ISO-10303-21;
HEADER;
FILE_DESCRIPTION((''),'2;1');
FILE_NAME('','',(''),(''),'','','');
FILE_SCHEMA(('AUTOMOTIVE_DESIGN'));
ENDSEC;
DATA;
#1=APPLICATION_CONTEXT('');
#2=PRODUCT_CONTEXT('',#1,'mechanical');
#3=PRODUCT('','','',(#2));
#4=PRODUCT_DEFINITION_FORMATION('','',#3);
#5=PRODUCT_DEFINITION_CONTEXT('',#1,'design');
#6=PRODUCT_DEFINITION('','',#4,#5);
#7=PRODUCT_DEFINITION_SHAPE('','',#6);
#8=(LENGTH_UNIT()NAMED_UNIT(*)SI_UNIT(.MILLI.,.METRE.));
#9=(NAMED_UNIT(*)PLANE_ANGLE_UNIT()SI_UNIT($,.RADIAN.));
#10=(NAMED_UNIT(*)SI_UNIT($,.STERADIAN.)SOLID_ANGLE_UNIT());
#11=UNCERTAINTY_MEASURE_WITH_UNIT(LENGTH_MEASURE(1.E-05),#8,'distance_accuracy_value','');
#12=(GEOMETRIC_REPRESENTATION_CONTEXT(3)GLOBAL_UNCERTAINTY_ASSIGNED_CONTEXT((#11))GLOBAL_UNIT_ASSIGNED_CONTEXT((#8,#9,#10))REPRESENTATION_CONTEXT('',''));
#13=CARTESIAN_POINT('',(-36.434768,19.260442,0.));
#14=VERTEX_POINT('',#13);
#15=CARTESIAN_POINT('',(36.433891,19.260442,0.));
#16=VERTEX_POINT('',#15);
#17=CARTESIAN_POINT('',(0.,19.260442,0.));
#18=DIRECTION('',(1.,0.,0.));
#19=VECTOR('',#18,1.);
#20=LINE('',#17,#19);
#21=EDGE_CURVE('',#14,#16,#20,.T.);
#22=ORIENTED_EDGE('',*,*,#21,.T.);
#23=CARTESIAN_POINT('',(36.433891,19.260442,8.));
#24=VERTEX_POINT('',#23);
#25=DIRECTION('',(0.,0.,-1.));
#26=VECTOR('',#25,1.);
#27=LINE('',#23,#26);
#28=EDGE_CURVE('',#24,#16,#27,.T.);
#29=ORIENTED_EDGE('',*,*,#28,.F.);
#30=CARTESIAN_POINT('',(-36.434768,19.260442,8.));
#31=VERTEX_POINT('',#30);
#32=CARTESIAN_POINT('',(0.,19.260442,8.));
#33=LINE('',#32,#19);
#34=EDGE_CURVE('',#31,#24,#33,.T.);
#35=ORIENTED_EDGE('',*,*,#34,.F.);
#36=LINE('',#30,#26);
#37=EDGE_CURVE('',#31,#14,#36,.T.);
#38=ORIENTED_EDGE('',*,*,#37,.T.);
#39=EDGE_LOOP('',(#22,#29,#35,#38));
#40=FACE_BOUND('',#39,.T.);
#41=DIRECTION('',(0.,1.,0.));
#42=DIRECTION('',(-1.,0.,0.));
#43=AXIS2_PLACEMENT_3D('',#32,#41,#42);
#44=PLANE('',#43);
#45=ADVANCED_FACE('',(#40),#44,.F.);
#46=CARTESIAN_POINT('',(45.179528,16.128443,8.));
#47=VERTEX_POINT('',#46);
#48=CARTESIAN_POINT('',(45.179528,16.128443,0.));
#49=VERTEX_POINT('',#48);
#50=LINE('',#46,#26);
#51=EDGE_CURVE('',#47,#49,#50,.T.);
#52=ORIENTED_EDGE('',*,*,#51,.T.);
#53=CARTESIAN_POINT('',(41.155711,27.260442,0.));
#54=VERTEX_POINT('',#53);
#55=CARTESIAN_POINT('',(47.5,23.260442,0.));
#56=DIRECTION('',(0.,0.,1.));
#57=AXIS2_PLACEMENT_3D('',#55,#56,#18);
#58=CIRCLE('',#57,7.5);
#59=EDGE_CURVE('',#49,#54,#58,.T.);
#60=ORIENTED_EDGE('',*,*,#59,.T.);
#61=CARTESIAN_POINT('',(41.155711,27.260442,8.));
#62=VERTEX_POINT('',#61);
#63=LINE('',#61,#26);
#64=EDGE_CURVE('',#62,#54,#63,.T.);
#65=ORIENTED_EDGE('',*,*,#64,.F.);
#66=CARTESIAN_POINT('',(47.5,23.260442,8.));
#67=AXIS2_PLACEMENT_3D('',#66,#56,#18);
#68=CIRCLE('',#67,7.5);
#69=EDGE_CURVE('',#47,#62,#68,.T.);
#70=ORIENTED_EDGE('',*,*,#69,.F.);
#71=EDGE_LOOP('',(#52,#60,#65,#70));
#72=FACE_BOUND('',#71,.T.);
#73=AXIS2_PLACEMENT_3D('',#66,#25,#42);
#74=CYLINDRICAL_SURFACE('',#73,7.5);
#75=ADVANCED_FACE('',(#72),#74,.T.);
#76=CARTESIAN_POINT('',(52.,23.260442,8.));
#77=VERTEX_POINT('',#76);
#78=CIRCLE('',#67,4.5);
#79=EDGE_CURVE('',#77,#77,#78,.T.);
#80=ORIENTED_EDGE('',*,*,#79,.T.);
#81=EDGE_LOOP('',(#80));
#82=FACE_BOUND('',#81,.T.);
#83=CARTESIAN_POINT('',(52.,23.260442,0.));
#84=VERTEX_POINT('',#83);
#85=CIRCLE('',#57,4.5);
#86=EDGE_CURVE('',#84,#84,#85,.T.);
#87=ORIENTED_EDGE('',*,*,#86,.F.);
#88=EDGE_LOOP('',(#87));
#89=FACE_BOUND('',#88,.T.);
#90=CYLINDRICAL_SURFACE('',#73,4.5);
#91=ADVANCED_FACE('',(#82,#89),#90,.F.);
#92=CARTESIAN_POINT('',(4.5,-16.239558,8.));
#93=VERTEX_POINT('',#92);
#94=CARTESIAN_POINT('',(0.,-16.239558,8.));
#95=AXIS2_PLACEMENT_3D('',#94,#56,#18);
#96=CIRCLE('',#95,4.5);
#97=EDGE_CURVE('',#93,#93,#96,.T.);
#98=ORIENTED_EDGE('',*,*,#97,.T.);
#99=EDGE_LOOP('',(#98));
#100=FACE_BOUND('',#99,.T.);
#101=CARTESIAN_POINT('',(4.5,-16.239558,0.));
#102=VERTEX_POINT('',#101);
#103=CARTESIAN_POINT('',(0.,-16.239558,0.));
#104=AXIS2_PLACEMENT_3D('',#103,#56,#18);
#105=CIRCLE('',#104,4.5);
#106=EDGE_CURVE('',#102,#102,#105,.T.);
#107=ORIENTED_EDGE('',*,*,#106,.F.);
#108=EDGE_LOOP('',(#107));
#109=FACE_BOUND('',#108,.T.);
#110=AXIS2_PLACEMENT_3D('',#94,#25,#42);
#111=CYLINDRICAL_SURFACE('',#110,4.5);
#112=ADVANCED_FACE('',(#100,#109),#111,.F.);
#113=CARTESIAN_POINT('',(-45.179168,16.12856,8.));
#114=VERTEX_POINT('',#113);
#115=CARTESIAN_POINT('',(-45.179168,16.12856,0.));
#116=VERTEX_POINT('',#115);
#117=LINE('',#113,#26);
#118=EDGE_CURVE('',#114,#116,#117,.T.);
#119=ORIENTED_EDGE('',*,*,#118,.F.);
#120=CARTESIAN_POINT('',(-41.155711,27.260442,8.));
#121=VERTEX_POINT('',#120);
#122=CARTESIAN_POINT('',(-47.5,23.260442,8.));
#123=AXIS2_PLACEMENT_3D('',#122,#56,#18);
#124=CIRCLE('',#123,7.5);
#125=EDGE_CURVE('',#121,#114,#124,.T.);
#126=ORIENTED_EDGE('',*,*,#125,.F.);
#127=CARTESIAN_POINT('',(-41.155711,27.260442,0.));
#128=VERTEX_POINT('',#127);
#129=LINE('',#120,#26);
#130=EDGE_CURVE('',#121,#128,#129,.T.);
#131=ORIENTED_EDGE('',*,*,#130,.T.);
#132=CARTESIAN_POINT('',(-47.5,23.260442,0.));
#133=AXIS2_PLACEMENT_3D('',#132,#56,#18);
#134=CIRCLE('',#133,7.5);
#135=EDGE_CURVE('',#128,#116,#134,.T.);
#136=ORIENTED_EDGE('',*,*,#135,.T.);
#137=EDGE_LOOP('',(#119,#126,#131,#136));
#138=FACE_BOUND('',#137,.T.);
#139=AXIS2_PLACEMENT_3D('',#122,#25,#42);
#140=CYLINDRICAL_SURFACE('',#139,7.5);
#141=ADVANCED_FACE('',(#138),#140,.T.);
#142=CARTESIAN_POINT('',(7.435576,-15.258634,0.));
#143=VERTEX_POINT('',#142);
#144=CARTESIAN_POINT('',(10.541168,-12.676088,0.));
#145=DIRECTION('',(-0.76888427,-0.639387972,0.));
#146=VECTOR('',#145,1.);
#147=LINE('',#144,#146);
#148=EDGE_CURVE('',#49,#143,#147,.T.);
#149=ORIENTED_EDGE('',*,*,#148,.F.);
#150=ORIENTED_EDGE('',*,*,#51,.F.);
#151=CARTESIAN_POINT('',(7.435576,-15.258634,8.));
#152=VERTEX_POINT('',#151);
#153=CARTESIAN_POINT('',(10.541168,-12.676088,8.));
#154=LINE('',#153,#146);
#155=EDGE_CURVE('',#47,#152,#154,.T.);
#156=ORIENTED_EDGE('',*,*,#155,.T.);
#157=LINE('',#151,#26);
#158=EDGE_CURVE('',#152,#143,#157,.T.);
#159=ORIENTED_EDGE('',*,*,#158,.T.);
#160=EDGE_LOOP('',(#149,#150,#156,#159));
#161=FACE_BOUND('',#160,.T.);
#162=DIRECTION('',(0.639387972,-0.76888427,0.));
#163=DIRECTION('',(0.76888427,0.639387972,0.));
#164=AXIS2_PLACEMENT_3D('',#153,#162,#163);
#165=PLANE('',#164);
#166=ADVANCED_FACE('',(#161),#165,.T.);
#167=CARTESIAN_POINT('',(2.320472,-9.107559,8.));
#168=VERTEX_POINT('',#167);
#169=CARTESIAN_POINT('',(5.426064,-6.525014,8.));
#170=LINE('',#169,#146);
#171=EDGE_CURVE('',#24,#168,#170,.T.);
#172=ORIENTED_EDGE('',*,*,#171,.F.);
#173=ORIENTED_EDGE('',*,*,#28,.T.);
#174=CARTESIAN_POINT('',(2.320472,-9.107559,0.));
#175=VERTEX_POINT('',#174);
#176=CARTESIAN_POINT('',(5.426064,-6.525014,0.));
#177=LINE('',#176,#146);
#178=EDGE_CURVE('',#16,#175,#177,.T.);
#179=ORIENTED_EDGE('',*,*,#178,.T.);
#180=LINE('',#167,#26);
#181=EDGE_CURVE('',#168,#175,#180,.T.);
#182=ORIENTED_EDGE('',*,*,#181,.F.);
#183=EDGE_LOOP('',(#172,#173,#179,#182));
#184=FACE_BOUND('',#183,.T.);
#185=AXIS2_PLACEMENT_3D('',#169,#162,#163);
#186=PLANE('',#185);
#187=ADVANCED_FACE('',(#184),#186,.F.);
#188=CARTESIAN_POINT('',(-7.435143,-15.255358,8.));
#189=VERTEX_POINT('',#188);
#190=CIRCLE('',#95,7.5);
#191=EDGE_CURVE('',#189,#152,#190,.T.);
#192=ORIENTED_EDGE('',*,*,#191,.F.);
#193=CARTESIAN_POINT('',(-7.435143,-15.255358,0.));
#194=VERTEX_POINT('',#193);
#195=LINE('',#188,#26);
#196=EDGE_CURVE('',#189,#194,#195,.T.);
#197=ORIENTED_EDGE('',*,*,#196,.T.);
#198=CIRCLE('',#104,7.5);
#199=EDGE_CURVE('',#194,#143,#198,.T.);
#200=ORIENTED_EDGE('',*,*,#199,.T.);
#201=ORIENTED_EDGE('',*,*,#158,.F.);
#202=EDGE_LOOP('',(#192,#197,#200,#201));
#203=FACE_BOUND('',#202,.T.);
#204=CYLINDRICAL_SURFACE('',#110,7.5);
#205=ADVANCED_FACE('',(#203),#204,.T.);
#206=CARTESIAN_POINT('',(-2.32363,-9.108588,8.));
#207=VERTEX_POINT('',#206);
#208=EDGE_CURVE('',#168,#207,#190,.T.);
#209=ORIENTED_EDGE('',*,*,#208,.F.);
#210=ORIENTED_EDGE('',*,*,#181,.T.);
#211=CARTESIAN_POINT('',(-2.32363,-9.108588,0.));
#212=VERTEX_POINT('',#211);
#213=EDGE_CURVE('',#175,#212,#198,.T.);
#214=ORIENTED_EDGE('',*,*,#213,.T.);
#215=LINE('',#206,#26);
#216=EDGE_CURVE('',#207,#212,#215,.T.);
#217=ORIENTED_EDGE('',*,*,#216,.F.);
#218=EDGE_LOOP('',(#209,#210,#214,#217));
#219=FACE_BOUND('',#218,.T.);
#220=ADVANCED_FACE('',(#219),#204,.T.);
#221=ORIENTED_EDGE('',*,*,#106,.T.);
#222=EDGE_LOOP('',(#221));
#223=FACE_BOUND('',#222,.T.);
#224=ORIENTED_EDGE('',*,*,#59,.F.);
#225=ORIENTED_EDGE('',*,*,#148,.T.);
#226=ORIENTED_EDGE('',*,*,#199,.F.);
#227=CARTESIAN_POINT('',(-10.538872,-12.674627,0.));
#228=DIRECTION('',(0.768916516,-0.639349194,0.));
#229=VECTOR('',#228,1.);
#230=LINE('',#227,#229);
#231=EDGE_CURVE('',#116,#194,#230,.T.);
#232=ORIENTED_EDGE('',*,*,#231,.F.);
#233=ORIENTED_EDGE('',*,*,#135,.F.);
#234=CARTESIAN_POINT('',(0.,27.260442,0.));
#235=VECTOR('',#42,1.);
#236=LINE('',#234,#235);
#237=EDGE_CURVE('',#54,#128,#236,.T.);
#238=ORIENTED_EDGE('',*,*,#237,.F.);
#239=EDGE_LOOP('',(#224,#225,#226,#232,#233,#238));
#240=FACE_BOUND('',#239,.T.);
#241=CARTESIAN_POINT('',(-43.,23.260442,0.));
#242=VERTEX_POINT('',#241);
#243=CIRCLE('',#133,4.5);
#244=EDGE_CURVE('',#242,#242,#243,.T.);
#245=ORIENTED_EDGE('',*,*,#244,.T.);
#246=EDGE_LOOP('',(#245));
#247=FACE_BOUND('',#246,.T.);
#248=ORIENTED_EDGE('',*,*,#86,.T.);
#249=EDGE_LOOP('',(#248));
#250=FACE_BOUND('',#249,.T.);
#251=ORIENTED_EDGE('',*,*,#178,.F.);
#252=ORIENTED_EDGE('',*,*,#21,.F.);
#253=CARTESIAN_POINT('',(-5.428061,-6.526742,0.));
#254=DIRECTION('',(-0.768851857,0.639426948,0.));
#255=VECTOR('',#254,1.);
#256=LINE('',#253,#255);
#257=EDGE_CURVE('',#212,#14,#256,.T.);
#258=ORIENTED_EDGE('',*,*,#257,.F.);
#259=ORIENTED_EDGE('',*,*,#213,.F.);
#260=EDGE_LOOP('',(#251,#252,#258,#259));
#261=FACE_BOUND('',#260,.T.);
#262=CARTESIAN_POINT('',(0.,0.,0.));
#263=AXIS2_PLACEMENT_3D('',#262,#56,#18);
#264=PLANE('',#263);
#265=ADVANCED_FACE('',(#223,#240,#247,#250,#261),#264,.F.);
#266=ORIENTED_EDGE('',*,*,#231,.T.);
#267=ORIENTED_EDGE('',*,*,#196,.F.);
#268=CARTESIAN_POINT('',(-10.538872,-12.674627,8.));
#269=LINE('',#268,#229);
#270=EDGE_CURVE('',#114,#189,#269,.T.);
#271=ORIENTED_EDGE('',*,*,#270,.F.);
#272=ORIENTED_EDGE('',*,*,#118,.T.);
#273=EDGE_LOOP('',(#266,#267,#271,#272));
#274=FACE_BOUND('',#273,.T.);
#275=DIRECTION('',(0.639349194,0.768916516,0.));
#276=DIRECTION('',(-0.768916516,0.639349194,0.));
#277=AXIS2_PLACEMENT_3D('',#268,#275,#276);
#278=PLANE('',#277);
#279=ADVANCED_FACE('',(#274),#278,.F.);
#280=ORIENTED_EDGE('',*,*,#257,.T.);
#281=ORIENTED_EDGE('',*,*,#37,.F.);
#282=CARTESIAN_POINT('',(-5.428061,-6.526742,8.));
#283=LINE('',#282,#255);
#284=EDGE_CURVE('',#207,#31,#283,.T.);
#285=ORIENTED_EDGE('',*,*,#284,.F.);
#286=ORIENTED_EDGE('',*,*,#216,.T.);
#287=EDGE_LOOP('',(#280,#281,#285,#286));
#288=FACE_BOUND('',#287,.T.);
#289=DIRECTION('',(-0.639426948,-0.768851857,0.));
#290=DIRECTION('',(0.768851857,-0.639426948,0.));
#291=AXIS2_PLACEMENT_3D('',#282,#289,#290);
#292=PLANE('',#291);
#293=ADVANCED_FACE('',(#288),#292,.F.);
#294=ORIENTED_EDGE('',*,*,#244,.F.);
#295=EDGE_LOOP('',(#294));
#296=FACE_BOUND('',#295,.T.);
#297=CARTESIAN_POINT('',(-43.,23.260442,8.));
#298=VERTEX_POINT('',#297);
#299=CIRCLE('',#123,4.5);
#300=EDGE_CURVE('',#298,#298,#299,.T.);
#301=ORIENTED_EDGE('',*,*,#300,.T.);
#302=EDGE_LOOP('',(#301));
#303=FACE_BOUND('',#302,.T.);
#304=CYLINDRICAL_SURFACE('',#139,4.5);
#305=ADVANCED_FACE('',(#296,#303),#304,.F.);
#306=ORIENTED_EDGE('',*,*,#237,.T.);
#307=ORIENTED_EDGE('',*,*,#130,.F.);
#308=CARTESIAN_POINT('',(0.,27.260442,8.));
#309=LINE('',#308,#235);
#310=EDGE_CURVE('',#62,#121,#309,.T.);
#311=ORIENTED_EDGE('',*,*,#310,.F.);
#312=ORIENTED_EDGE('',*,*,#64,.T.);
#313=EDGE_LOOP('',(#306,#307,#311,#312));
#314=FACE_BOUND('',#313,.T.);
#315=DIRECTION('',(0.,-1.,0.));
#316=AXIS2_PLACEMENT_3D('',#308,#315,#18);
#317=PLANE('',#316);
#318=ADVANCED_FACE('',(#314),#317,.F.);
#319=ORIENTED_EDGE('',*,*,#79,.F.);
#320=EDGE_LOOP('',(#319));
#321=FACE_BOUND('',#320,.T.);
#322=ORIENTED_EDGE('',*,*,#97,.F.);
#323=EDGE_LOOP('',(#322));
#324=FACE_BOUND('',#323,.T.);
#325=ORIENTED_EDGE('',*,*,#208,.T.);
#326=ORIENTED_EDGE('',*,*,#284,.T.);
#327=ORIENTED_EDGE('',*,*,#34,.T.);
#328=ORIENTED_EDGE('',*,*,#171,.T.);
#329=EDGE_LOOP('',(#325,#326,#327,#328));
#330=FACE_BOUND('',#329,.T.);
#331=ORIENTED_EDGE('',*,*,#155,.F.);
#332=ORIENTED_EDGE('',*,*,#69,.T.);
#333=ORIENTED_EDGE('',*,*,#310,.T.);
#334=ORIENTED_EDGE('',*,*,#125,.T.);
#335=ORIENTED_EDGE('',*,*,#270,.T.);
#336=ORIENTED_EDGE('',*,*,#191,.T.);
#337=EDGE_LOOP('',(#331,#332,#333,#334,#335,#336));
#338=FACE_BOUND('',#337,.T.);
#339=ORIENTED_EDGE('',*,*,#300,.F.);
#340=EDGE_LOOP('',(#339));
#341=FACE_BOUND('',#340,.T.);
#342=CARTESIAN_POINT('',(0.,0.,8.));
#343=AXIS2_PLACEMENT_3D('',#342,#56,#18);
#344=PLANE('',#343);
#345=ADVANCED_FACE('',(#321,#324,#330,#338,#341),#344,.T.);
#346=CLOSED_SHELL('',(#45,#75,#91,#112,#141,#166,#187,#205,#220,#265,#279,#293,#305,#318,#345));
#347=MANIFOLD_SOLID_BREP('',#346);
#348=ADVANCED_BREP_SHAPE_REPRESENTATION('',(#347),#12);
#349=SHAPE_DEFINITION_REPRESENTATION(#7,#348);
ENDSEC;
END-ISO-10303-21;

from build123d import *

# Parameters (mm, degrees)
SKETCH1_R           = 4.5
BOSS_EXTRUDE1_DEPTH = 8


with BuildPart() as part:
    # Sketch1 → Boss-Extrude1 (new body)
    with BuildSketch(Plane.XY):
        with BuildLine():
            Line((45.179528047, 16.128442524), (7.43557573, -15.258633613))
            ThreePointArc((7.43557573, -15.258633613), (-0.001652224, -23.739558281), (-7.43514282, -15.255357644))
            Line((-7.43514282, -15.255357644), (-45.17916835, 16.128559565))
            ThreePointArc((-45.17916835, 16.128559565), (-54.553423072, 25.809798901), (-41.15571123, 27.260441537))
            Line((-41.15571123, 27.260441537), (41.15571123, 27.260441537))
            ThreePointArc((41.15571123, 27.260441537), (54.553358782, 25.809976769), (45.179528047, 16.128442524))
        make_face()
        with Locations((-47.5, 23.260441537)):
            Circle(SKETCH1_R, mode=Mode.SUBTRACT)
        with Locations((47.5, 23.260441537)):
            Circle(SKETCH1_R, mode=Mode.SUBTRACT)
        with Locations((0, -16.239558463)):
            Circle(SKETCH1_R, mode=Mode.SUBTRACT)
        with BuildLine():
            Line((36.433890862, 19.260441537), (2.320471953, -9.107559451))
            ThreePointArc((2.320471953, -9.107559451), (-0.001660699, -8.739558647), (-2.323630152, -9.108587778))
            Line((-2.323630152, -9.108587778), (-36.434768163, 19.260441537))
            Line((-36.434768163, 19.260441537), (36.433890862, 19.260441537))
        make_face(mode=Mode.SUBTRACT)
    extrude(amount=BOSS_EXTRUDE1_DEPTH)


solid = part.part
